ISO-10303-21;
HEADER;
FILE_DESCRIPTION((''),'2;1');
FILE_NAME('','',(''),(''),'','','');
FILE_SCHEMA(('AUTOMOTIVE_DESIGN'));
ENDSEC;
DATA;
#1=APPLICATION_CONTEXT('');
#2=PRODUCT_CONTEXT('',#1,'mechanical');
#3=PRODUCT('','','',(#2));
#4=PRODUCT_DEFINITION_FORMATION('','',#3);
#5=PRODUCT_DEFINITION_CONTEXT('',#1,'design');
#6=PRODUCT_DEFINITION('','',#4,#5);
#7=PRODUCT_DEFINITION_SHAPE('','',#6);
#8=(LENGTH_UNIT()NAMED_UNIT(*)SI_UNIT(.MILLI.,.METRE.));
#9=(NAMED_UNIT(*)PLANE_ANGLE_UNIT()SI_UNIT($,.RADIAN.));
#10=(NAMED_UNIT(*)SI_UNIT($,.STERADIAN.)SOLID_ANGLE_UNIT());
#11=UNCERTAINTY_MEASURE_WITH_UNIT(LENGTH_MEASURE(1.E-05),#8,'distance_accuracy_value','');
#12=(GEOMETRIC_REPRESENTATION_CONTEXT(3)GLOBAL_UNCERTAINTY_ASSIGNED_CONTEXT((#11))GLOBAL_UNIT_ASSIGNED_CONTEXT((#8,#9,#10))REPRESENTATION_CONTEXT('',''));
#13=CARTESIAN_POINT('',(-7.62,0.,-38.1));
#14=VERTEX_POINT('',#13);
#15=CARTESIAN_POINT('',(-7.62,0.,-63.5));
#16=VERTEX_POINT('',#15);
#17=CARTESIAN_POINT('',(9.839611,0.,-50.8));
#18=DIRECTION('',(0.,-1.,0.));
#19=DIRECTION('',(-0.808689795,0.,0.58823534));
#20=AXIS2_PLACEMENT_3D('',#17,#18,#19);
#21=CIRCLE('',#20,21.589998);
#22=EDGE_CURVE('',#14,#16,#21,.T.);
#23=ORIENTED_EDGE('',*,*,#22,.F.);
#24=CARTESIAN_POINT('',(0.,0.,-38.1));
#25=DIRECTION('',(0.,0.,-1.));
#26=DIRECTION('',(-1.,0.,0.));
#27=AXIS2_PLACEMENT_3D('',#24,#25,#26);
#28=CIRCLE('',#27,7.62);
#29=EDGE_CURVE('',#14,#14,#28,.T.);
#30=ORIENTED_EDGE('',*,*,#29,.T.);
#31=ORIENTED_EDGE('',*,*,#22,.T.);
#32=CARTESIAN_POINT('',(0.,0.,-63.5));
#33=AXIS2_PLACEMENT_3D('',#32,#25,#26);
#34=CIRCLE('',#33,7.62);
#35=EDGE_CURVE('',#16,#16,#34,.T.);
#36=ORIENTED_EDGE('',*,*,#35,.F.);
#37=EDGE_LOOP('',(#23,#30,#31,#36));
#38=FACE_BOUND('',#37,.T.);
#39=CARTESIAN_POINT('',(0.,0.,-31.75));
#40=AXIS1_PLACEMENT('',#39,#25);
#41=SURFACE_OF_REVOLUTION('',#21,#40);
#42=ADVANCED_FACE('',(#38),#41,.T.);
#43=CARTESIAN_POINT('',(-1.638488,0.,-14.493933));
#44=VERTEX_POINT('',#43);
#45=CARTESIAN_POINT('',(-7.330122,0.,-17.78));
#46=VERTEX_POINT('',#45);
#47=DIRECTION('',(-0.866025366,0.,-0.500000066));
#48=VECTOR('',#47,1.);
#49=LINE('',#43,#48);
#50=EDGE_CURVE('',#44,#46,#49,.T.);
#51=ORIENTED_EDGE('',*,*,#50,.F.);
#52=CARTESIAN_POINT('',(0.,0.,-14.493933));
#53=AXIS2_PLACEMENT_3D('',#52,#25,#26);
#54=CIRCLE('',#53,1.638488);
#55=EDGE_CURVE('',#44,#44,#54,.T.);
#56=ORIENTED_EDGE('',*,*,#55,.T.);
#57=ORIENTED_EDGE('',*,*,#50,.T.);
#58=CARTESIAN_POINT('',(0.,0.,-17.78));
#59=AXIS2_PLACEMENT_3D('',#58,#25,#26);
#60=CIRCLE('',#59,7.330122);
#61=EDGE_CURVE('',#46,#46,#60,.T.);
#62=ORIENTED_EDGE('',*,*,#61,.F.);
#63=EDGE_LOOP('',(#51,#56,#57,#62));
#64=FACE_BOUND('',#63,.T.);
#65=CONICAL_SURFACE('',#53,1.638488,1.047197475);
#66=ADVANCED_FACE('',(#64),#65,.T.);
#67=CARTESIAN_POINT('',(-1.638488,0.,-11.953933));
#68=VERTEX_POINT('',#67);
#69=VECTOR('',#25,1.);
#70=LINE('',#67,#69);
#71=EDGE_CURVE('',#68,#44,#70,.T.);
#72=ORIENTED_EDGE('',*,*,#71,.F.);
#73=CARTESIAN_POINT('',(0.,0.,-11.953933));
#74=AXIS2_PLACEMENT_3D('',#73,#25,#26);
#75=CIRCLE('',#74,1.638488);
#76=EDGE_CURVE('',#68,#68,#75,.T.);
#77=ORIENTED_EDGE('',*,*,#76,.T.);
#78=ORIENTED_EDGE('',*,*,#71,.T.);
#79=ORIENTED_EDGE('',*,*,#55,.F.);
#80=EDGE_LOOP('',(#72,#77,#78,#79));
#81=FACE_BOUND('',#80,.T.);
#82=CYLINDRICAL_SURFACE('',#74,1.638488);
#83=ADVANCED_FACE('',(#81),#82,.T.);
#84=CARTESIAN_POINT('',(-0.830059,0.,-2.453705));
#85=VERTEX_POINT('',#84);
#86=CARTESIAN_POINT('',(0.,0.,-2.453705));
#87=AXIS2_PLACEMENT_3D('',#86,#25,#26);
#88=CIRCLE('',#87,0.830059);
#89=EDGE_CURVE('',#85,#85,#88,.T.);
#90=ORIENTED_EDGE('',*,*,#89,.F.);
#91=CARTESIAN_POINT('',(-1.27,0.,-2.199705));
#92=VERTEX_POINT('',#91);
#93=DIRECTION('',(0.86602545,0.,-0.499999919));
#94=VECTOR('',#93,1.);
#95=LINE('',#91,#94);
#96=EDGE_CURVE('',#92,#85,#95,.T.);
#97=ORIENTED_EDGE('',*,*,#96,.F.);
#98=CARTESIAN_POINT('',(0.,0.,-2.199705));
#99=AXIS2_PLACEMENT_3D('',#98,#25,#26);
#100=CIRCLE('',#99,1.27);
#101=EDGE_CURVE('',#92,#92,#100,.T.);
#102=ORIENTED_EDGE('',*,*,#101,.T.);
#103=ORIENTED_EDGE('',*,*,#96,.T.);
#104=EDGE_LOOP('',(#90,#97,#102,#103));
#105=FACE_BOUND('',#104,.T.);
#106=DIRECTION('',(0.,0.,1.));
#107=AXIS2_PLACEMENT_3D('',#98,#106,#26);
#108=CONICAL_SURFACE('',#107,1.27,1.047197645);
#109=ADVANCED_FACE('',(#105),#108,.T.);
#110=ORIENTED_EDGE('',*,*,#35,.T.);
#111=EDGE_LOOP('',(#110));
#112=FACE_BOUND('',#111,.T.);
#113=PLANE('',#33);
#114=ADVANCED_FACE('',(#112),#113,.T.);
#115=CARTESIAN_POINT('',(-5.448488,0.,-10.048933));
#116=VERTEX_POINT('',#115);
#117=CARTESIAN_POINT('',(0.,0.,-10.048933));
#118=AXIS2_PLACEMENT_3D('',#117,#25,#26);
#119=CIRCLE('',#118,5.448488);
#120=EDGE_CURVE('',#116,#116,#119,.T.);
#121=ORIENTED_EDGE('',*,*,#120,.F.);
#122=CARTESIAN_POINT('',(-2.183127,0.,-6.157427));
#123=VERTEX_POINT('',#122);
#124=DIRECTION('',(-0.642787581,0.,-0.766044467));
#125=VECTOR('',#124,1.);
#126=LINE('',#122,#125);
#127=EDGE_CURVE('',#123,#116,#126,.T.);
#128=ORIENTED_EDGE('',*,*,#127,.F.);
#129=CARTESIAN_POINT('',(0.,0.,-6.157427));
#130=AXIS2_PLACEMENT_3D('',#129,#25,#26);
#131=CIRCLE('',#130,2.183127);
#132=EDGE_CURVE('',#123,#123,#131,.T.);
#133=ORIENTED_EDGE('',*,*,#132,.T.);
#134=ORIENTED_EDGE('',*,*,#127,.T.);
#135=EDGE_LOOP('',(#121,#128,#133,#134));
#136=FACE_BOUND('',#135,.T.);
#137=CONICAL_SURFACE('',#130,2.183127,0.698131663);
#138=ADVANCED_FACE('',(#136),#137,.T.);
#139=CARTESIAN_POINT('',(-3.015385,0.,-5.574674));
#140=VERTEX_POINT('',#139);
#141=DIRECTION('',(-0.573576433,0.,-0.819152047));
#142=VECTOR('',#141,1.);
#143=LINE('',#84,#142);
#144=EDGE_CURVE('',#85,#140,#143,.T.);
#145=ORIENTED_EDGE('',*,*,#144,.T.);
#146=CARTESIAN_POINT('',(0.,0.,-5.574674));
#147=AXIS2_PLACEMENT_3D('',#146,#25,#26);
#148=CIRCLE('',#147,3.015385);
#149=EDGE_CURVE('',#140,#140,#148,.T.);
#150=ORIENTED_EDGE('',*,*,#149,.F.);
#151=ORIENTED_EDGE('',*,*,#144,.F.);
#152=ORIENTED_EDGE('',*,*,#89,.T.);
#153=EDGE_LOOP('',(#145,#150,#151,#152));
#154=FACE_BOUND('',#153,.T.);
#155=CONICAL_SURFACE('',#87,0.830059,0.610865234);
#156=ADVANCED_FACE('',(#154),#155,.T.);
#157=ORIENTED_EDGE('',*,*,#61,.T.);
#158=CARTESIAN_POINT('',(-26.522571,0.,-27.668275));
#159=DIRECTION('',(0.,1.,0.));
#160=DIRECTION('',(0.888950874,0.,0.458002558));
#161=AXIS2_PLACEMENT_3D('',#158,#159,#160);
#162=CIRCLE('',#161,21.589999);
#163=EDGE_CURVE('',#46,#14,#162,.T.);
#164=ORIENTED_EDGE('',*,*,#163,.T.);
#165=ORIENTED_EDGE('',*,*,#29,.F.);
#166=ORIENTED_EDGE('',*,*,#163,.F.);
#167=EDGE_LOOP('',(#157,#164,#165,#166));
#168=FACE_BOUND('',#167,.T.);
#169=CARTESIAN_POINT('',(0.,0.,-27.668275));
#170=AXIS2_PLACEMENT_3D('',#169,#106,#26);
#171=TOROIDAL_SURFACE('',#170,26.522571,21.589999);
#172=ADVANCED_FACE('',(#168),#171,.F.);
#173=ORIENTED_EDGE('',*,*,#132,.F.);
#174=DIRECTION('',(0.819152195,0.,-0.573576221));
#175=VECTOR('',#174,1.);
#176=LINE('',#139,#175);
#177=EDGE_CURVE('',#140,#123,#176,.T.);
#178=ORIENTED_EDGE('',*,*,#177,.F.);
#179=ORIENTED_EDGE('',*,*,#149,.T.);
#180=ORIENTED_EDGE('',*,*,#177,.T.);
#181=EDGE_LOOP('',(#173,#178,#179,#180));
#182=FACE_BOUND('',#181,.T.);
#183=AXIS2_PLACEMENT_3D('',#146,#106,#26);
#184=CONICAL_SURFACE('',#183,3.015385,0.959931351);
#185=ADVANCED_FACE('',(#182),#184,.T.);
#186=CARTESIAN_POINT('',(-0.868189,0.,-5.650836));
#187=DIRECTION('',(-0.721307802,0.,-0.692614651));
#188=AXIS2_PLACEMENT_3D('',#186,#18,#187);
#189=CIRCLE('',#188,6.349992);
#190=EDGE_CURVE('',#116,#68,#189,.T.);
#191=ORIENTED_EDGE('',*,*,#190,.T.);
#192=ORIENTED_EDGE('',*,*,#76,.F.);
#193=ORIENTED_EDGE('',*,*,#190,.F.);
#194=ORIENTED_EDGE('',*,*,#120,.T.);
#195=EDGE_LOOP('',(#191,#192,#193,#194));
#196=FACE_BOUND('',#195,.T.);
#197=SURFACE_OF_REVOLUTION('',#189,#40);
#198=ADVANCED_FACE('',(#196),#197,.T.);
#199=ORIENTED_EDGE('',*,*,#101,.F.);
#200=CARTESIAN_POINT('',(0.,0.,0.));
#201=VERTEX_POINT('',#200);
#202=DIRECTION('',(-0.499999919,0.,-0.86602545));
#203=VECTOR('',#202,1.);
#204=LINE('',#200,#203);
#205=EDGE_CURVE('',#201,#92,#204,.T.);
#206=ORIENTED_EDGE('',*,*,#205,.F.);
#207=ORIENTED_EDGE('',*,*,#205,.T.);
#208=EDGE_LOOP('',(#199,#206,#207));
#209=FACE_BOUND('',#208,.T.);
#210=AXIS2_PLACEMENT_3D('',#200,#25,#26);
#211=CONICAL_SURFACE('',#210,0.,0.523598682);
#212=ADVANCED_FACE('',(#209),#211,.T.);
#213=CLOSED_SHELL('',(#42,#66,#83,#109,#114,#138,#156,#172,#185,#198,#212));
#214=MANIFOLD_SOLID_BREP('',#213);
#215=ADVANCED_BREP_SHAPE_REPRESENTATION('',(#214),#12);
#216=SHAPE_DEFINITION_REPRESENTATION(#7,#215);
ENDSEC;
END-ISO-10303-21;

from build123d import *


with BuildPart() as f1:
    # F0 (on Front) → F1 (revolve)
    with BuildSketch(Plane.XZ):
        with BuildLine():
            Line((-7.62, -63.5), (0, -63.5))
            Line((0, -63.5), (0, 0))
            Line((0, 0), (-1.27, -2.199705))
            Line((-1.27, -2.199705), (-0.830059, -2.453705))
            Line((-0.830059, -2.453705), (-3.015385, -5.574674))
            Line((-3.015385, -5.574674), (-2.183127, -6.157427))
            Line((-2.183127, -6.157427), (-5.448488, -10.048933))
            ThreePointArc((-5.448488, -10.048933), (-3.707992, -11.330441), (-1.638488, -11.953933))
            Line((-1.638488, -11.953933), (-1.638488, -14.493933))
            Line((-1.638488, -14.493933), (-7.330122, -17.78))
            ThreePointArc((-7.330122, -17.78), (-4.934768, -27.976239), (-7.62, -38.1))
            ThreePointArc((-7.62, -38.1), (-11.750387, -50.8), (-7.62, -63.5))
        make_face()
    revolve(axis=Axis((0, 0, -31.75), (0, 0, -1)))


solid = f1.part
